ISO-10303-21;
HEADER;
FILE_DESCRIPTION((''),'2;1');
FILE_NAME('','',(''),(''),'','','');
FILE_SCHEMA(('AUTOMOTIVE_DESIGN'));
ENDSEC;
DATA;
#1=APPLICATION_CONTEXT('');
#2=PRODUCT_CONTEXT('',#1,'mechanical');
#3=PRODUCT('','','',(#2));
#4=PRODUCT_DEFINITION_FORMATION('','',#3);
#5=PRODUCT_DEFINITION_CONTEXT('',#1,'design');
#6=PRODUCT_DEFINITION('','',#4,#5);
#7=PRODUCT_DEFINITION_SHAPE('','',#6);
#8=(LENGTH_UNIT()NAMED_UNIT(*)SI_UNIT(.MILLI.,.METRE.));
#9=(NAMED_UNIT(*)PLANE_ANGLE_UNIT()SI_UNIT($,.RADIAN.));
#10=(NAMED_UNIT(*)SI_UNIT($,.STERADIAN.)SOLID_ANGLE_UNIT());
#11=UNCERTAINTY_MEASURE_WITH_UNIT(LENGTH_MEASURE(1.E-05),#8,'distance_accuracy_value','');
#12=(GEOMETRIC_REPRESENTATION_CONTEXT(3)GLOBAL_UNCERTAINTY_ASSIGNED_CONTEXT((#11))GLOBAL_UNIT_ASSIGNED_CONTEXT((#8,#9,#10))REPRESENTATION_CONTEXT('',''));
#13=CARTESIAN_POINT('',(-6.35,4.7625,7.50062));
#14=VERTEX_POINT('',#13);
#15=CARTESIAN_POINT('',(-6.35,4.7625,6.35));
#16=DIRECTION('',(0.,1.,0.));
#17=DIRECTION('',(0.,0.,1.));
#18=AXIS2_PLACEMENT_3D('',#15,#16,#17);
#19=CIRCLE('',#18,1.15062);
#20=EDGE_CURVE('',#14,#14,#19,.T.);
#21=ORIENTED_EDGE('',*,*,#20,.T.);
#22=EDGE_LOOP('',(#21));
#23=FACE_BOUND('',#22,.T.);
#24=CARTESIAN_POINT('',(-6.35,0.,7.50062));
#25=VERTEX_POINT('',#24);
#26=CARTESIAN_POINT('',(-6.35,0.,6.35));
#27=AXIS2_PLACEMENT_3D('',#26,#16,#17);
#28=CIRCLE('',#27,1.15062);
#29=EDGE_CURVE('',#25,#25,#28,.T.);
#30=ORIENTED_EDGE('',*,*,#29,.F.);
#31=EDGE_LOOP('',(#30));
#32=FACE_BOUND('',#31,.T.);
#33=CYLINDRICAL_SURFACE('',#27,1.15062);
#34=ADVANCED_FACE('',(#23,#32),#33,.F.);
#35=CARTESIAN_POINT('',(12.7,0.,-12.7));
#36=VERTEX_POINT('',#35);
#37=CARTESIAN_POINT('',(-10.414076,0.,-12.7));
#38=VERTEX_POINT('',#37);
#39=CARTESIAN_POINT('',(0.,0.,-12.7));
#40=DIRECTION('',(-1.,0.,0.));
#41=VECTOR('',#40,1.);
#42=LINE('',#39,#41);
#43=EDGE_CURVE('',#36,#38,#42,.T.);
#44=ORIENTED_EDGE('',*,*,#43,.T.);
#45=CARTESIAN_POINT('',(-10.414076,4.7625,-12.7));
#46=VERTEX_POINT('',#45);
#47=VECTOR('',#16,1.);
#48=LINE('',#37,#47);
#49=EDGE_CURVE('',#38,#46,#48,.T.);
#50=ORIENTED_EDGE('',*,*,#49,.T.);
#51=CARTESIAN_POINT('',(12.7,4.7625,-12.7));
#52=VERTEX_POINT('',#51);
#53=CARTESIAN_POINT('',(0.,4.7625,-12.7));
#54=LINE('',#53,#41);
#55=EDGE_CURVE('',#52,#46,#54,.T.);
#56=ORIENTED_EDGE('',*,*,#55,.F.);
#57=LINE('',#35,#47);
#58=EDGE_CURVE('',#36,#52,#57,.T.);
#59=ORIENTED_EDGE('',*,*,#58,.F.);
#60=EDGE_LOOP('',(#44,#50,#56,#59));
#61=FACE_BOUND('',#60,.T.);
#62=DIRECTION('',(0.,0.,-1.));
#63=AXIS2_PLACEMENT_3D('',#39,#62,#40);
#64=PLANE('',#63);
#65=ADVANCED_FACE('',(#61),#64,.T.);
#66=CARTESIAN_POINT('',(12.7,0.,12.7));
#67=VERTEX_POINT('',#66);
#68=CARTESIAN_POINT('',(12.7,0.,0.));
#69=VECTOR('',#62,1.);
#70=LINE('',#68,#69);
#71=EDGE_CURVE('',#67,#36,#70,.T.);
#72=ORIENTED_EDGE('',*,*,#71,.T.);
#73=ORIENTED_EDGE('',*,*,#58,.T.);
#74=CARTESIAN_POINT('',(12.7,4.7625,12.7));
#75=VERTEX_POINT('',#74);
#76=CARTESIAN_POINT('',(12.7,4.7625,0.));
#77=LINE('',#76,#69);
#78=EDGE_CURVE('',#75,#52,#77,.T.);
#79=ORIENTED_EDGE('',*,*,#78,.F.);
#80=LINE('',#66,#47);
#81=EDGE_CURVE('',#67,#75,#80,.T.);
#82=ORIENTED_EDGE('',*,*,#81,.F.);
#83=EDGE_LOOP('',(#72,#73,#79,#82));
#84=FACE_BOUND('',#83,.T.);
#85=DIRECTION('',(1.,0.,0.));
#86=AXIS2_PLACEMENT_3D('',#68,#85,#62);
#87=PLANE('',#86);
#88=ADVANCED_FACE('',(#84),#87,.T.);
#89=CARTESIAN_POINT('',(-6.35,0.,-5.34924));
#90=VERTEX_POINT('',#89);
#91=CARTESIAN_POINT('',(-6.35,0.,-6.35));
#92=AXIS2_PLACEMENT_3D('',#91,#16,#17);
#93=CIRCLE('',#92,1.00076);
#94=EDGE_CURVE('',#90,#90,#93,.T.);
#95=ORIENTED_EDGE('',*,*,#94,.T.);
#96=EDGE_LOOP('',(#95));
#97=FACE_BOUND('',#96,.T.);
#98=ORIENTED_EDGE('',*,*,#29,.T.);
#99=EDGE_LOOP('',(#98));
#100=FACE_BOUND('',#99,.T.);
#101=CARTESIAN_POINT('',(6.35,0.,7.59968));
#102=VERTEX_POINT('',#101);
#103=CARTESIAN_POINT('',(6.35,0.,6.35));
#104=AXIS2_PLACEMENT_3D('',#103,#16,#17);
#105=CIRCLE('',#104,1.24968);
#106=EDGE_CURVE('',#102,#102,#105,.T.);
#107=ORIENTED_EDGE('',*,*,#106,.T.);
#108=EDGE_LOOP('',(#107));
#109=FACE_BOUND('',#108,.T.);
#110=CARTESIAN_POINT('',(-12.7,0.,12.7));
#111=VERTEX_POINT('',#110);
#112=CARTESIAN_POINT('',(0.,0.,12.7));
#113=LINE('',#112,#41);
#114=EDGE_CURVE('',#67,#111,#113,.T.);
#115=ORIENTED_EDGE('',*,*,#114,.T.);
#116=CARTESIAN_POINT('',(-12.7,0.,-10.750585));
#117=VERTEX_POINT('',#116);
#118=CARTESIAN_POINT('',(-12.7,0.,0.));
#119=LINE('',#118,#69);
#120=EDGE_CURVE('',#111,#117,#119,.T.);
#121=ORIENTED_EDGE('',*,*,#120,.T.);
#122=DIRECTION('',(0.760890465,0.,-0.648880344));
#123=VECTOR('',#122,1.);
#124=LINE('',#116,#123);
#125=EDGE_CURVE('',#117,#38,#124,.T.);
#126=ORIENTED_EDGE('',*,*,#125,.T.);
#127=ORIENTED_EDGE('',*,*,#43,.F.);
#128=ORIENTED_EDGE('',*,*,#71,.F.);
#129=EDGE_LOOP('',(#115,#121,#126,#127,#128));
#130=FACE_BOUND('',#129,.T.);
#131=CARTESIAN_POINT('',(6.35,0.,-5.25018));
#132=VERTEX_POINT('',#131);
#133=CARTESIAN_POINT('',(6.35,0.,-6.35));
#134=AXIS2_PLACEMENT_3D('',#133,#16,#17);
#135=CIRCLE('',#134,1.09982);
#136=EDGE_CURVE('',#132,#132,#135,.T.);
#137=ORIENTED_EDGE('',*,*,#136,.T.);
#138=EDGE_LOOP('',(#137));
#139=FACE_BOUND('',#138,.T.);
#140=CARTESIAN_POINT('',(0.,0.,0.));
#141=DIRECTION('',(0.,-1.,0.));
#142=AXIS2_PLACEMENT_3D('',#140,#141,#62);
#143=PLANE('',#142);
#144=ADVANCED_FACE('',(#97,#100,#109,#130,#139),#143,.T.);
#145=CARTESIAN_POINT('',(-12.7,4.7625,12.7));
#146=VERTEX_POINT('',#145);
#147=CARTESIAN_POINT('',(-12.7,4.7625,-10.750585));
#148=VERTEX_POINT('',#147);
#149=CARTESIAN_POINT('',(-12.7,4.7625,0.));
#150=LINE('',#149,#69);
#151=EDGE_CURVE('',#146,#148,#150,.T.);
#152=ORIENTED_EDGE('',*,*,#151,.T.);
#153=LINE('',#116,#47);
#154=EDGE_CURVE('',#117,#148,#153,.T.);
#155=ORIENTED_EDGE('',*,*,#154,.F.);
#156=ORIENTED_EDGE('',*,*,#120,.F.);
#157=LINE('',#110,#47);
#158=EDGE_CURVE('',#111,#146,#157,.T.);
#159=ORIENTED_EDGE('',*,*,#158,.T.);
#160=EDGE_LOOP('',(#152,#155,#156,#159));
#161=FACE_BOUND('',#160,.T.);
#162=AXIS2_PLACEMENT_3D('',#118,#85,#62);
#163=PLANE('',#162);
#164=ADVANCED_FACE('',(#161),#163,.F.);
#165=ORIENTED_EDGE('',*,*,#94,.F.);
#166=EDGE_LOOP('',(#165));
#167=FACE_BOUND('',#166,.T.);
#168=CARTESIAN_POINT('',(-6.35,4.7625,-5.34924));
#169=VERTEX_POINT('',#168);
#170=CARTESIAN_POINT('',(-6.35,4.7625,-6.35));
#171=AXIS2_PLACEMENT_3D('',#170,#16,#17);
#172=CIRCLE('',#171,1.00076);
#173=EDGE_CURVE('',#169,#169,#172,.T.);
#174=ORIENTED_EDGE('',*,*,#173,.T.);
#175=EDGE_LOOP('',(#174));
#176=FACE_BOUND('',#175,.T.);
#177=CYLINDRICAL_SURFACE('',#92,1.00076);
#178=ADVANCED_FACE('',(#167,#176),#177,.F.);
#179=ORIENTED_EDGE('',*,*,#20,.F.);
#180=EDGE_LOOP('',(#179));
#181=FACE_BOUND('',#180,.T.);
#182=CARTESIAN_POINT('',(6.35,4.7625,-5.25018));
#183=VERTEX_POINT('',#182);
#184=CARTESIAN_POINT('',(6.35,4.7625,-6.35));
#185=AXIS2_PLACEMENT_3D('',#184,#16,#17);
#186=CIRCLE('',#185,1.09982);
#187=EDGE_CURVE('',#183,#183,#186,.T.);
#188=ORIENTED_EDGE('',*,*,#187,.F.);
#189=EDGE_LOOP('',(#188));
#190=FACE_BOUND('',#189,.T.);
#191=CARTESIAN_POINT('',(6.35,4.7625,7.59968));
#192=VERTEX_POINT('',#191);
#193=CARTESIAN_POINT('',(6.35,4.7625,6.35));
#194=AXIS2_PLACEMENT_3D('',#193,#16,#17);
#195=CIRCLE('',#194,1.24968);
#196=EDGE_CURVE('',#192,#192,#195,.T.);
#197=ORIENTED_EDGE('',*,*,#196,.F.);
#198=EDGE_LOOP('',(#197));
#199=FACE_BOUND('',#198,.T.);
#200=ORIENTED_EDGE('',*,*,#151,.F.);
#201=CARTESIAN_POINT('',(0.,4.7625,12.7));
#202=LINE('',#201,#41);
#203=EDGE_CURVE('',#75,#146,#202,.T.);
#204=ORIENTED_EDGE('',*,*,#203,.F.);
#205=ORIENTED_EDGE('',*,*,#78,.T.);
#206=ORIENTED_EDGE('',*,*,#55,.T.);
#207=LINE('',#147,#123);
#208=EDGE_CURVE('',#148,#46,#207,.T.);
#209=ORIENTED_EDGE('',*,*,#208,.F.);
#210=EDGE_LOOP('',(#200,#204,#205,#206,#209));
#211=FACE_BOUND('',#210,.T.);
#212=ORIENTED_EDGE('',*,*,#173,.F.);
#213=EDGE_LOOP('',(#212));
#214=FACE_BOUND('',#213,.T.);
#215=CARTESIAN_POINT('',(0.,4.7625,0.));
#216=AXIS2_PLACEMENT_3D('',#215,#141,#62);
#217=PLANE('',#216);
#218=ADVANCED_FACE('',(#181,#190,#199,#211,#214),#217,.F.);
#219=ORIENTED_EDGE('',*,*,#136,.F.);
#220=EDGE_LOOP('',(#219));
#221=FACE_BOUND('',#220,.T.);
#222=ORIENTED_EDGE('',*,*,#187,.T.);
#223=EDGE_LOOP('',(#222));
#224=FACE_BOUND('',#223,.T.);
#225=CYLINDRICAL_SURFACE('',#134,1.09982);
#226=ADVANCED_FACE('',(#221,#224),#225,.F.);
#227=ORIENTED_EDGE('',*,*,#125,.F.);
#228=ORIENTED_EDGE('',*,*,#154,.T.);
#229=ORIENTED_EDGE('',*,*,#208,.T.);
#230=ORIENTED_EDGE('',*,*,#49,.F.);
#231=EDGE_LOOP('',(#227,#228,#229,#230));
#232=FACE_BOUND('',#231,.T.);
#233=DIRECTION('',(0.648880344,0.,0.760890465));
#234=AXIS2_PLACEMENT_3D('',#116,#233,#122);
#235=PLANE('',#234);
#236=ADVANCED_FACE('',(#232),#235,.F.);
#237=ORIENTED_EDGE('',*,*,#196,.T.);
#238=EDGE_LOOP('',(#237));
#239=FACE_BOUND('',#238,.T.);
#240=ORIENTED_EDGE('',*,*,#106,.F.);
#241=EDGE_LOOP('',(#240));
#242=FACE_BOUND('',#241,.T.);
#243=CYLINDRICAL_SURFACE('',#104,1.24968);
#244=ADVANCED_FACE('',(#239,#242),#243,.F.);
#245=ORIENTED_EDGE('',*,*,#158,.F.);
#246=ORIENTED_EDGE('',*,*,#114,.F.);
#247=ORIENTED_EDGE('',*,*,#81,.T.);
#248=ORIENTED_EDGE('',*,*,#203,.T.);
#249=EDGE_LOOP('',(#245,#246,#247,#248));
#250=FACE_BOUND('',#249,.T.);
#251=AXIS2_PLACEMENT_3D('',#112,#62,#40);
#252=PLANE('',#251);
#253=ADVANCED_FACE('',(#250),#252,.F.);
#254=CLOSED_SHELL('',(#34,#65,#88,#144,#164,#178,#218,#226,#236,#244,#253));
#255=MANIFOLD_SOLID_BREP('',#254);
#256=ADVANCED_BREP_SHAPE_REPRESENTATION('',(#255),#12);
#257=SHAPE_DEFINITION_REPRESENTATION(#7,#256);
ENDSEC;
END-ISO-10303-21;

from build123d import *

# Parameters (mm, degrees)
SKETCH1_W           = 50.8
SKETCH1_H           = 50.8
BOSS_EXTRUDE1_DEPTH = 4.7625
SKETCH2_W           = 50.8
SKETCH2_H           = 50.8
SKETCH2_W_2         = 25.4
SKETCH2_H_2         = 25.4
SKETCH2_R           = 1.00076
SKETCH2_R_2         = 1.09982
SKETCH2_R_3         = 1.15062
SKETCH2_R_4         = 1.24968
CUT_EXTRUDE1_DEPTH  = 5.7625
CUT_EXTRUDE2_DEPTH  = 5.7625


with BuildPart() as part:
    # Sketch1 → Boss-Extrude1 (new body)
    with BuildSketch(Plane(origin=(0, 0, 0), x_dir=(1, 0, 0), z_dir=(0, 1, 0))):
        Rectangle(SKETCH1_W, SKETCH1_H)
    extrude(amount=BOSS_EXTRUDE1_DEPTH)

    # Sketch2 → Cut-Extrude1 (cut, through all)
    with BuildSketch(Plane(origin=(0, 4.7625, 0), x_dir=(1, 0, 0), z_dir=(0, 1, 0))):
        Rectangle(SKETCH2_W, SKETCH2_H)
        Rectangle(SKETCH2_W_2, SKETCH2_H_2, mode=Mode.SUBTRACT)
        with Locations((-6.35, 6.35)):
            Circle(SKETCH2_R)
        with Locations((6.35, 6.35)):
            Circle(SKETCH2_R_2)
        with Locations((-6.35, -6.35)):
            Circle(SKETCH2_R_3)
        with Locations((6.35, -6.35)):
            Circle(SKETCH2_R_4)
    extrude(amount=-CUT_EXTRUDE1_DEPTH, mode=Mode.SUBTRACT)

    # Sketch3 → Cut-Extrude2 (cut, through all)
    with BuildSketch(Plane(origin=(0, 4.7625, 0), x_dir=(1, 0, 0), z_dir=(0, 1, 0))):
        Polygon((-10.414075549, 12.7), (-12.7, 12.7), (-12.7, 10.750584792), align=None)
    extrude(amount=-CUT_EXTRUDE2_DEPTH, mode=Mode.SUBTRACT)


solid = part.part
